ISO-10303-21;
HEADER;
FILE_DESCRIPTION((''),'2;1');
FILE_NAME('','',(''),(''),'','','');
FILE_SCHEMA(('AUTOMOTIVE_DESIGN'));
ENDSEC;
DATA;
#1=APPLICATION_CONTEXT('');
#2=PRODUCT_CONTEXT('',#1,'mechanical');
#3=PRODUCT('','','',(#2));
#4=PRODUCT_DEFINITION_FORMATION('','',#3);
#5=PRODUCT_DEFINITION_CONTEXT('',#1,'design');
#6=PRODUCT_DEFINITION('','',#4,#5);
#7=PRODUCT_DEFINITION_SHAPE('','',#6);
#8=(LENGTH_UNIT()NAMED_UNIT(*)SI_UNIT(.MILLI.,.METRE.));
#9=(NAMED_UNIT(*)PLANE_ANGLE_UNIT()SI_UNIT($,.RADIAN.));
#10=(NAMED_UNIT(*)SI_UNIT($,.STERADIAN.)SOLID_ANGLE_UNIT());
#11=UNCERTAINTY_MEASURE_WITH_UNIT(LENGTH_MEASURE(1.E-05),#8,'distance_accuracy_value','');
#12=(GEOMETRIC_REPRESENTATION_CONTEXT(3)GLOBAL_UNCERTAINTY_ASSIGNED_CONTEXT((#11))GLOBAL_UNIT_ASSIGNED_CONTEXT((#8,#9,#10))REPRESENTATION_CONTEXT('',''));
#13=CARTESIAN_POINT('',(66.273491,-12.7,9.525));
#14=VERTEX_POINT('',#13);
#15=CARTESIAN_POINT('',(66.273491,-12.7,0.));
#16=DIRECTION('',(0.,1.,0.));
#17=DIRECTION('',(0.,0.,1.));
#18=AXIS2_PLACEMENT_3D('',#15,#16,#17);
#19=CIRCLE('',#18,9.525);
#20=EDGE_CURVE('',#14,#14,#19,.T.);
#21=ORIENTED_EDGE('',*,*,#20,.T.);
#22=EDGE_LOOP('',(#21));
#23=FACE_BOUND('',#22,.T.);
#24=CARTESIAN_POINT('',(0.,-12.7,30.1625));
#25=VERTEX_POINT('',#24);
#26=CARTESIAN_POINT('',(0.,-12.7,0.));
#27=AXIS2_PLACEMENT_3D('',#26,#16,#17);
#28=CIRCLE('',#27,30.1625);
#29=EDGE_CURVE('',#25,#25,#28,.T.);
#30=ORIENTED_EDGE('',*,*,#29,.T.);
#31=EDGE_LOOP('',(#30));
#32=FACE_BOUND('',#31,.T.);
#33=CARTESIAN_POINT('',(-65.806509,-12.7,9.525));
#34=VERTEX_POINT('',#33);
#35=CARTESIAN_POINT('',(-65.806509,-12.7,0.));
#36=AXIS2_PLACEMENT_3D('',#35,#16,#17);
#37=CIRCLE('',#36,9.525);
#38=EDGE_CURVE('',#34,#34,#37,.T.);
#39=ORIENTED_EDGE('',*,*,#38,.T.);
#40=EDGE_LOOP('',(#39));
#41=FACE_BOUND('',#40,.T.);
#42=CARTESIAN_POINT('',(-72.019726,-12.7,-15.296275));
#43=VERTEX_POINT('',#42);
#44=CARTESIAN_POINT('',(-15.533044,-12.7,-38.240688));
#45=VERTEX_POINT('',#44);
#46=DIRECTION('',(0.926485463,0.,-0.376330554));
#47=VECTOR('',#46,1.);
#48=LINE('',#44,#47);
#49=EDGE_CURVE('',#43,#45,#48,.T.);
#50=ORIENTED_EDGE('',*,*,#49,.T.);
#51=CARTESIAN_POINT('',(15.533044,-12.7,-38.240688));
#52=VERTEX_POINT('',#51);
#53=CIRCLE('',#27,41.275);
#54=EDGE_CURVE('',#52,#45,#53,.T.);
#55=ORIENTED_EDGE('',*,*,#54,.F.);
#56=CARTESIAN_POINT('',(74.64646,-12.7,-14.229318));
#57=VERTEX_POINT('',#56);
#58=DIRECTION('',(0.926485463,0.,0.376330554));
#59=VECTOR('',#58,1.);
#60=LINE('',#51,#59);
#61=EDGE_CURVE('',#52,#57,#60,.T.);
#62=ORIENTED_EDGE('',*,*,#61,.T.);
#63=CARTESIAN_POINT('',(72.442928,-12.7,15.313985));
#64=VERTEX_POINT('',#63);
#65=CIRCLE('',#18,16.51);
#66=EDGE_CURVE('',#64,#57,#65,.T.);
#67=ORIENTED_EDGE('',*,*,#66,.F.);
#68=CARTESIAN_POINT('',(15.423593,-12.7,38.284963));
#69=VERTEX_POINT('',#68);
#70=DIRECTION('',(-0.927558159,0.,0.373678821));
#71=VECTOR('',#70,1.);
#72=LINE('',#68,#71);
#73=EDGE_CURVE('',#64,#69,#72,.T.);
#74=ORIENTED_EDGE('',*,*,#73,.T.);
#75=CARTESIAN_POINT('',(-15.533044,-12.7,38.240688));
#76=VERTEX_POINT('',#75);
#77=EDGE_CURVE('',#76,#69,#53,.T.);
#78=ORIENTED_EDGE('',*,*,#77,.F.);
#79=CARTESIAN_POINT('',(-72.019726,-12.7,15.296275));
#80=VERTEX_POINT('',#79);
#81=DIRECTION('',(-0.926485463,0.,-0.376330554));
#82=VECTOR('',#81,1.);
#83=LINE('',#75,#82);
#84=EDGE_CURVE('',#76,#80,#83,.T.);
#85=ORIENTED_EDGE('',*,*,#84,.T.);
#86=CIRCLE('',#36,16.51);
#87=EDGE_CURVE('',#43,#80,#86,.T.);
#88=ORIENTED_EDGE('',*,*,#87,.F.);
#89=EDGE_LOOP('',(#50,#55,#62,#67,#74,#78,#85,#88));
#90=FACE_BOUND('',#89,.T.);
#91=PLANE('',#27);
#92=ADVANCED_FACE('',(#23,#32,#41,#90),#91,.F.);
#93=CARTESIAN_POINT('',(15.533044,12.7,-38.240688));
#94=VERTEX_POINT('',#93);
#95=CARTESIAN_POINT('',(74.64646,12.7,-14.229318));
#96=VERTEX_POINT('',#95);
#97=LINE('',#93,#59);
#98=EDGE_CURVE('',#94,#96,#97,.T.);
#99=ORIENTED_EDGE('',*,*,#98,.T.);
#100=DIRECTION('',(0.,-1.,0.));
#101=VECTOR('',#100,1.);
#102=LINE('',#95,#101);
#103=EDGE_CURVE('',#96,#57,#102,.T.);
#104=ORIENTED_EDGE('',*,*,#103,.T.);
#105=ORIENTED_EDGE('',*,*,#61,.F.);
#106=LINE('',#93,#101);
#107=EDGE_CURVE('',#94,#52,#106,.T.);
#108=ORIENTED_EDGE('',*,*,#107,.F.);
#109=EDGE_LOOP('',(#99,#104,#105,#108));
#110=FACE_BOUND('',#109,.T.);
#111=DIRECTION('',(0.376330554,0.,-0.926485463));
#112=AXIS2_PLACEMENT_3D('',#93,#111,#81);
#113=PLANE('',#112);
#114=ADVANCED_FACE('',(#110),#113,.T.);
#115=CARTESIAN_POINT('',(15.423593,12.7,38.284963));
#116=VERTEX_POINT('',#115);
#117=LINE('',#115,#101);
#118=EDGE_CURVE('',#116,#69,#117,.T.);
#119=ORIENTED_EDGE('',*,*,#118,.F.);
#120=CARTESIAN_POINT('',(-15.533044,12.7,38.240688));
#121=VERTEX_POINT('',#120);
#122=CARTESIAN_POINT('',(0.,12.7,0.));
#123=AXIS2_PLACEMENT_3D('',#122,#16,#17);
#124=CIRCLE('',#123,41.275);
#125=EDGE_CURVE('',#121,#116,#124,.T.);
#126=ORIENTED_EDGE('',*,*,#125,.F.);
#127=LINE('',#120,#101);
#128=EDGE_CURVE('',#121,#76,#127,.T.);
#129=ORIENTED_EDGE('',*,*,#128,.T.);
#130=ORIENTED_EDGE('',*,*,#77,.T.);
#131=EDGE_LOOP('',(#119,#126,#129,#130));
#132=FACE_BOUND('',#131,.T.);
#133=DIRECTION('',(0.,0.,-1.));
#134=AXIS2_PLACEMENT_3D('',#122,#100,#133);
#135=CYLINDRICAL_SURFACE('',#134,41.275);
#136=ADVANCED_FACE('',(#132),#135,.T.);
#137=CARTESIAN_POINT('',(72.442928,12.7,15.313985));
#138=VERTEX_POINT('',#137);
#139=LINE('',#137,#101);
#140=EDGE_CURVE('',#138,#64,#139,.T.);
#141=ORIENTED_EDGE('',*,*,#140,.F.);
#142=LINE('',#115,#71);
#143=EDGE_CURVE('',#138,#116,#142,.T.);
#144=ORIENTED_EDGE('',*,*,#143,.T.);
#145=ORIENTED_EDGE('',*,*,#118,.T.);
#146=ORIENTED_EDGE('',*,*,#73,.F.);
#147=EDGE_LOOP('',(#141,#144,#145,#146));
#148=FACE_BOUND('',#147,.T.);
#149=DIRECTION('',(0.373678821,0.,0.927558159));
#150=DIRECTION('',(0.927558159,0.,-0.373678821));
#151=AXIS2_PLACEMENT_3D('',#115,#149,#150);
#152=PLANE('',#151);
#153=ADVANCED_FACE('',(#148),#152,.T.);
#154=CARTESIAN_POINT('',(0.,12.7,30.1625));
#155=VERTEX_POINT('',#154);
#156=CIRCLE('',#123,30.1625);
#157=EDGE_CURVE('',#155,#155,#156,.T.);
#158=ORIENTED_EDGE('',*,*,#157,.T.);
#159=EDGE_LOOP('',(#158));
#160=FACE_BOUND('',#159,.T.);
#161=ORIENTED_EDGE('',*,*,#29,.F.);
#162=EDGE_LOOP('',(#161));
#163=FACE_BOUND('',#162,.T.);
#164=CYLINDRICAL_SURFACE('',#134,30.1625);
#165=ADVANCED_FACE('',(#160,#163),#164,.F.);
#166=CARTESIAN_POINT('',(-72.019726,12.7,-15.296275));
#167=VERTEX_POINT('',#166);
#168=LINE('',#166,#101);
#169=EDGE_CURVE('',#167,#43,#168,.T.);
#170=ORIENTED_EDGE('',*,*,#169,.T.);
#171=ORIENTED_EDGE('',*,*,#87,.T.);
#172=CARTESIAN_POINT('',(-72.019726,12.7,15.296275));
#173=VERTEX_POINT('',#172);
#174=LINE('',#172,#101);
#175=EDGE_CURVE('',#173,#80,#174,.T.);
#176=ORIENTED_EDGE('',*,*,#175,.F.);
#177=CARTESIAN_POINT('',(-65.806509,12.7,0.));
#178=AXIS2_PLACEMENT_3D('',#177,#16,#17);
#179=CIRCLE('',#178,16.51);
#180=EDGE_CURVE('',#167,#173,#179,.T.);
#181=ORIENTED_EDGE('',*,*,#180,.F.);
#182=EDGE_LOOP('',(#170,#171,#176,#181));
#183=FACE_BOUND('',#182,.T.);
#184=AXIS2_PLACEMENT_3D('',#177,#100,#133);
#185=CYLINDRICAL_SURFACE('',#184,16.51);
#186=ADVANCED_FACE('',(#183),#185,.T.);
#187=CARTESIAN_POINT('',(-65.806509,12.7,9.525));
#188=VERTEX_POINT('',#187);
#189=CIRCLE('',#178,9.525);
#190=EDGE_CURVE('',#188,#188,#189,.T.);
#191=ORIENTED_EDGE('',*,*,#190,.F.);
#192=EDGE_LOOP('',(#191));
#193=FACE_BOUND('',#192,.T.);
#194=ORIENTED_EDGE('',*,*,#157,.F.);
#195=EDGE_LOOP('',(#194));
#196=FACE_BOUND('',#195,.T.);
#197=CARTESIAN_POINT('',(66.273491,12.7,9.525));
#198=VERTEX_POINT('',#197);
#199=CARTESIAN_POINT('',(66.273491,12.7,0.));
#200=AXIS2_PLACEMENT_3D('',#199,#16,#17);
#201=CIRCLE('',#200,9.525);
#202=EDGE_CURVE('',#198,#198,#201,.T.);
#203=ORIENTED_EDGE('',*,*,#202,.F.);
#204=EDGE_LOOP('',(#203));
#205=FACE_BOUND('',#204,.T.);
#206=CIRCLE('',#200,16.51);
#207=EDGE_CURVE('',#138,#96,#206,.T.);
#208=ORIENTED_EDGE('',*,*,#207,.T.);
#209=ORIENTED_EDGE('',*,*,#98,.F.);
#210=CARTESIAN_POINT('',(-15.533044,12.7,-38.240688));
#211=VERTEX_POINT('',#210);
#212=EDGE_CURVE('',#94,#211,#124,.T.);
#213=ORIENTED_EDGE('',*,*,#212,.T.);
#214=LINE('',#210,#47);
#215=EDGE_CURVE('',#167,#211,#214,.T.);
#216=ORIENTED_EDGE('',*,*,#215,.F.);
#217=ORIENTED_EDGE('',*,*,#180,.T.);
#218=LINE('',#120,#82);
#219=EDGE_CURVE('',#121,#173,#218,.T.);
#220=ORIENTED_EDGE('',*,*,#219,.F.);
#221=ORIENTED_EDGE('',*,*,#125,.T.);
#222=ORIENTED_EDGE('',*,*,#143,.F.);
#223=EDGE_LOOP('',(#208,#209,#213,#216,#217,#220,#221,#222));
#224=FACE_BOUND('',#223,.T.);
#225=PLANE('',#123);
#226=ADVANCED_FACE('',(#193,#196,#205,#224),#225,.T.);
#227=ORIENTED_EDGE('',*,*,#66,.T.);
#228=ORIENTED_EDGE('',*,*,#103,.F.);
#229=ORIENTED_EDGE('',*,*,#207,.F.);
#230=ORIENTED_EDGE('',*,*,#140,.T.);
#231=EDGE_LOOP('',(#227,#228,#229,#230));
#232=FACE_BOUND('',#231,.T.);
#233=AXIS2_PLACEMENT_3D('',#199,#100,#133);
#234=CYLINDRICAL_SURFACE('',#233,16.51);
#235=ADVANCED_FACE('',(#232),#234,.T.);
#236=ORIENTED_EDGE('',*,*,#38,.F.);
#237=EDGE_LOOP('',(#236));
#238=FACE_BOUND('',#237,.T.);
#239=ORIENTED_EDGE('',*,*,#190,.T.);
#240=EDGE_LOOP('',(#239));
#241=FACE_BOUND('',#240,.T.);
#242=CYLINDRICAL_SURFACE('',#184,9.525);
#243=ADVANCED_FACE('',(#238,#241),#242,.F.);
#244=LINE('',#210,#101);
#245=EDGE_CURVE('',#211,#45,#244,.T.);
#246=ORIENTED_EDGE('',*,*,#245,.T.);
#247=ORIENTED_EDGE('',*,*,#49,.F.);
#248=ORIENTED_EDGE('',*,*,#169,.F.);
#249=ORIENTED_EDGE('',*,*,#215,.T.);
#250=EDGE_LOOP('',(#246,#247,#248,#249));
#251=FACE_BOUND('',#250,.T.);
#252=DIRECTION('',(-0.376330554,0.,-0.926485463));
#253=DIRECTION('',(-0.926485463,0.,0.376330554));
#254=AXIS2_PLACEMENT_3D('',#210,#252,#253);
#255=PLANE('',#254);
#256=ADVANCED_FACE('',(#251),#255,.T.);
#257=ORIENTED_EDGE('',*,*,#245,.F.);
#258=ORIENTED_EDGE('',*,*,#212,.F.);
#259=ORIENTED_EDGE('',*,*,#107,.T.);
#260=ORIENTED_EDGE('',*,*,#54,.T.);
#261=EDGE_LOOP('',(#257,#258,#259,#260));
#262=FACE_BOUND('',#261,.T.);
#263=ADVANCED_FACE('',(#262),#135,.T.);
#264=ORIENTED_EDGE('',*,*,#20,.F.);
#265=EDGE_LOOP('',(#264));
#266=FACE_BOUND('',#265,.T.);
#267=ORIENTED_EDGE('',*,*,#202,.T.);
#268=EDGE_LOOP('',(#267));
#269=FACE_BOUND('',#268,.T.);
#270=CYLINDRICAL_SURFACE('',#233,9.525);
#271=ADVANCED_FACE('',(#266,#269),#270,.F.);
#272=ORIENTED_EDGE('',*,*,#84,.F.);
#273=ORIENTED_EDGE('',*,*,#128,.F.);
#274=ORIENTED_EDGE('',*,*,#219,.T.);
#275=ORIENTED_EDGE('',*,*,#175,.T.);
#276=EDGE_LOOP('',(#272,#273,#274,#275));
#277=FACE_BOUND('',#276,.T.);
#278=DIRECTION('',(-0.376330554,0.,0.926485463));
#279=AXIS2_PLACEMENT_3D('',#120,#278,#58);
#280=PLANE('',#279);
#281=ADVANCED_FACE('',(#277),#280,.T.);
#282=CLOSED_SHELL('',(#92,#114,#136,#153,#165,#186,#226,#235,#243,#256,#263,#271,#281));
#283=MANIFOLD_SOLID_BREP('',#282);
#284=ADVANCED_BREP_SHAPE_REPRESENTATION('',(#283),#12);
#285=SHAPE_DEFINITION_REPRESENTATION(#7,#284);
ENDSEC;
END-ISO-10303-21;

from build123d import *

# Parameters (mm, degrees)
SKETCH1_R           = 9.525
SKETCH1_R_2         = 30.1625
BOSS_EXTRUDE1_DEPTH = 12.7


with BuildPart() as part:
    # Sketch1 → Boss-Extrude1 (new, symmetric)
    with BuildSketch(Plane(origin=(0, 0, 0), x_dir=(1, 0, 0), z_dir=(0, 1, 0))):
        with BuildLine():
            Line((-15.533043632, 38.240687501), (-72.019726416, 15.296275))
            ThreePointArc((-72.019726416, 15.296275), (-82.316508964, 0), (-72.019726416, -15.296275))
            Line((-72.019726416, -15.296275), (-15.533043632, -38.240687501))
            ThreePointArc((-15.533043632, -38.240687501), (-0.059033228, -41.274957784), (15.423593341, -38.28496302))
            Line((15.423593341, -38.28496302), (72.442928372, -15.313985208))
            ThreePointArc((72.442928372, -15.313985208), (82.737758003, -1.228011915), (74.64645973, 14.229318158))
            Line((74.64645973, 14.229318158), (70.194684869, 16.037591432))
            Line((70.194684869, 16.037591432), (15.533043632, 38.240687501))
            ThreePointArc((15.533043632, 38.240687501), (0, 41.275), (-15.533043632, 38.240687501))
        make_face()
        with Locations((-65.806508964, 0)):
            Circle(SKETCH1_R, mode=Mode.SUBTRACT)
        Circle(SKETCH1_R_2, mode=Mode.SUBTRACT)
        with Locations((66.273491036, 0)):
            Circle(SKETCH1_R, mode=Mode.SUBTRACT)
    extrude(amount=BOSS_EXTRUDE1_DEPTH, both=True)


solid = part.part
